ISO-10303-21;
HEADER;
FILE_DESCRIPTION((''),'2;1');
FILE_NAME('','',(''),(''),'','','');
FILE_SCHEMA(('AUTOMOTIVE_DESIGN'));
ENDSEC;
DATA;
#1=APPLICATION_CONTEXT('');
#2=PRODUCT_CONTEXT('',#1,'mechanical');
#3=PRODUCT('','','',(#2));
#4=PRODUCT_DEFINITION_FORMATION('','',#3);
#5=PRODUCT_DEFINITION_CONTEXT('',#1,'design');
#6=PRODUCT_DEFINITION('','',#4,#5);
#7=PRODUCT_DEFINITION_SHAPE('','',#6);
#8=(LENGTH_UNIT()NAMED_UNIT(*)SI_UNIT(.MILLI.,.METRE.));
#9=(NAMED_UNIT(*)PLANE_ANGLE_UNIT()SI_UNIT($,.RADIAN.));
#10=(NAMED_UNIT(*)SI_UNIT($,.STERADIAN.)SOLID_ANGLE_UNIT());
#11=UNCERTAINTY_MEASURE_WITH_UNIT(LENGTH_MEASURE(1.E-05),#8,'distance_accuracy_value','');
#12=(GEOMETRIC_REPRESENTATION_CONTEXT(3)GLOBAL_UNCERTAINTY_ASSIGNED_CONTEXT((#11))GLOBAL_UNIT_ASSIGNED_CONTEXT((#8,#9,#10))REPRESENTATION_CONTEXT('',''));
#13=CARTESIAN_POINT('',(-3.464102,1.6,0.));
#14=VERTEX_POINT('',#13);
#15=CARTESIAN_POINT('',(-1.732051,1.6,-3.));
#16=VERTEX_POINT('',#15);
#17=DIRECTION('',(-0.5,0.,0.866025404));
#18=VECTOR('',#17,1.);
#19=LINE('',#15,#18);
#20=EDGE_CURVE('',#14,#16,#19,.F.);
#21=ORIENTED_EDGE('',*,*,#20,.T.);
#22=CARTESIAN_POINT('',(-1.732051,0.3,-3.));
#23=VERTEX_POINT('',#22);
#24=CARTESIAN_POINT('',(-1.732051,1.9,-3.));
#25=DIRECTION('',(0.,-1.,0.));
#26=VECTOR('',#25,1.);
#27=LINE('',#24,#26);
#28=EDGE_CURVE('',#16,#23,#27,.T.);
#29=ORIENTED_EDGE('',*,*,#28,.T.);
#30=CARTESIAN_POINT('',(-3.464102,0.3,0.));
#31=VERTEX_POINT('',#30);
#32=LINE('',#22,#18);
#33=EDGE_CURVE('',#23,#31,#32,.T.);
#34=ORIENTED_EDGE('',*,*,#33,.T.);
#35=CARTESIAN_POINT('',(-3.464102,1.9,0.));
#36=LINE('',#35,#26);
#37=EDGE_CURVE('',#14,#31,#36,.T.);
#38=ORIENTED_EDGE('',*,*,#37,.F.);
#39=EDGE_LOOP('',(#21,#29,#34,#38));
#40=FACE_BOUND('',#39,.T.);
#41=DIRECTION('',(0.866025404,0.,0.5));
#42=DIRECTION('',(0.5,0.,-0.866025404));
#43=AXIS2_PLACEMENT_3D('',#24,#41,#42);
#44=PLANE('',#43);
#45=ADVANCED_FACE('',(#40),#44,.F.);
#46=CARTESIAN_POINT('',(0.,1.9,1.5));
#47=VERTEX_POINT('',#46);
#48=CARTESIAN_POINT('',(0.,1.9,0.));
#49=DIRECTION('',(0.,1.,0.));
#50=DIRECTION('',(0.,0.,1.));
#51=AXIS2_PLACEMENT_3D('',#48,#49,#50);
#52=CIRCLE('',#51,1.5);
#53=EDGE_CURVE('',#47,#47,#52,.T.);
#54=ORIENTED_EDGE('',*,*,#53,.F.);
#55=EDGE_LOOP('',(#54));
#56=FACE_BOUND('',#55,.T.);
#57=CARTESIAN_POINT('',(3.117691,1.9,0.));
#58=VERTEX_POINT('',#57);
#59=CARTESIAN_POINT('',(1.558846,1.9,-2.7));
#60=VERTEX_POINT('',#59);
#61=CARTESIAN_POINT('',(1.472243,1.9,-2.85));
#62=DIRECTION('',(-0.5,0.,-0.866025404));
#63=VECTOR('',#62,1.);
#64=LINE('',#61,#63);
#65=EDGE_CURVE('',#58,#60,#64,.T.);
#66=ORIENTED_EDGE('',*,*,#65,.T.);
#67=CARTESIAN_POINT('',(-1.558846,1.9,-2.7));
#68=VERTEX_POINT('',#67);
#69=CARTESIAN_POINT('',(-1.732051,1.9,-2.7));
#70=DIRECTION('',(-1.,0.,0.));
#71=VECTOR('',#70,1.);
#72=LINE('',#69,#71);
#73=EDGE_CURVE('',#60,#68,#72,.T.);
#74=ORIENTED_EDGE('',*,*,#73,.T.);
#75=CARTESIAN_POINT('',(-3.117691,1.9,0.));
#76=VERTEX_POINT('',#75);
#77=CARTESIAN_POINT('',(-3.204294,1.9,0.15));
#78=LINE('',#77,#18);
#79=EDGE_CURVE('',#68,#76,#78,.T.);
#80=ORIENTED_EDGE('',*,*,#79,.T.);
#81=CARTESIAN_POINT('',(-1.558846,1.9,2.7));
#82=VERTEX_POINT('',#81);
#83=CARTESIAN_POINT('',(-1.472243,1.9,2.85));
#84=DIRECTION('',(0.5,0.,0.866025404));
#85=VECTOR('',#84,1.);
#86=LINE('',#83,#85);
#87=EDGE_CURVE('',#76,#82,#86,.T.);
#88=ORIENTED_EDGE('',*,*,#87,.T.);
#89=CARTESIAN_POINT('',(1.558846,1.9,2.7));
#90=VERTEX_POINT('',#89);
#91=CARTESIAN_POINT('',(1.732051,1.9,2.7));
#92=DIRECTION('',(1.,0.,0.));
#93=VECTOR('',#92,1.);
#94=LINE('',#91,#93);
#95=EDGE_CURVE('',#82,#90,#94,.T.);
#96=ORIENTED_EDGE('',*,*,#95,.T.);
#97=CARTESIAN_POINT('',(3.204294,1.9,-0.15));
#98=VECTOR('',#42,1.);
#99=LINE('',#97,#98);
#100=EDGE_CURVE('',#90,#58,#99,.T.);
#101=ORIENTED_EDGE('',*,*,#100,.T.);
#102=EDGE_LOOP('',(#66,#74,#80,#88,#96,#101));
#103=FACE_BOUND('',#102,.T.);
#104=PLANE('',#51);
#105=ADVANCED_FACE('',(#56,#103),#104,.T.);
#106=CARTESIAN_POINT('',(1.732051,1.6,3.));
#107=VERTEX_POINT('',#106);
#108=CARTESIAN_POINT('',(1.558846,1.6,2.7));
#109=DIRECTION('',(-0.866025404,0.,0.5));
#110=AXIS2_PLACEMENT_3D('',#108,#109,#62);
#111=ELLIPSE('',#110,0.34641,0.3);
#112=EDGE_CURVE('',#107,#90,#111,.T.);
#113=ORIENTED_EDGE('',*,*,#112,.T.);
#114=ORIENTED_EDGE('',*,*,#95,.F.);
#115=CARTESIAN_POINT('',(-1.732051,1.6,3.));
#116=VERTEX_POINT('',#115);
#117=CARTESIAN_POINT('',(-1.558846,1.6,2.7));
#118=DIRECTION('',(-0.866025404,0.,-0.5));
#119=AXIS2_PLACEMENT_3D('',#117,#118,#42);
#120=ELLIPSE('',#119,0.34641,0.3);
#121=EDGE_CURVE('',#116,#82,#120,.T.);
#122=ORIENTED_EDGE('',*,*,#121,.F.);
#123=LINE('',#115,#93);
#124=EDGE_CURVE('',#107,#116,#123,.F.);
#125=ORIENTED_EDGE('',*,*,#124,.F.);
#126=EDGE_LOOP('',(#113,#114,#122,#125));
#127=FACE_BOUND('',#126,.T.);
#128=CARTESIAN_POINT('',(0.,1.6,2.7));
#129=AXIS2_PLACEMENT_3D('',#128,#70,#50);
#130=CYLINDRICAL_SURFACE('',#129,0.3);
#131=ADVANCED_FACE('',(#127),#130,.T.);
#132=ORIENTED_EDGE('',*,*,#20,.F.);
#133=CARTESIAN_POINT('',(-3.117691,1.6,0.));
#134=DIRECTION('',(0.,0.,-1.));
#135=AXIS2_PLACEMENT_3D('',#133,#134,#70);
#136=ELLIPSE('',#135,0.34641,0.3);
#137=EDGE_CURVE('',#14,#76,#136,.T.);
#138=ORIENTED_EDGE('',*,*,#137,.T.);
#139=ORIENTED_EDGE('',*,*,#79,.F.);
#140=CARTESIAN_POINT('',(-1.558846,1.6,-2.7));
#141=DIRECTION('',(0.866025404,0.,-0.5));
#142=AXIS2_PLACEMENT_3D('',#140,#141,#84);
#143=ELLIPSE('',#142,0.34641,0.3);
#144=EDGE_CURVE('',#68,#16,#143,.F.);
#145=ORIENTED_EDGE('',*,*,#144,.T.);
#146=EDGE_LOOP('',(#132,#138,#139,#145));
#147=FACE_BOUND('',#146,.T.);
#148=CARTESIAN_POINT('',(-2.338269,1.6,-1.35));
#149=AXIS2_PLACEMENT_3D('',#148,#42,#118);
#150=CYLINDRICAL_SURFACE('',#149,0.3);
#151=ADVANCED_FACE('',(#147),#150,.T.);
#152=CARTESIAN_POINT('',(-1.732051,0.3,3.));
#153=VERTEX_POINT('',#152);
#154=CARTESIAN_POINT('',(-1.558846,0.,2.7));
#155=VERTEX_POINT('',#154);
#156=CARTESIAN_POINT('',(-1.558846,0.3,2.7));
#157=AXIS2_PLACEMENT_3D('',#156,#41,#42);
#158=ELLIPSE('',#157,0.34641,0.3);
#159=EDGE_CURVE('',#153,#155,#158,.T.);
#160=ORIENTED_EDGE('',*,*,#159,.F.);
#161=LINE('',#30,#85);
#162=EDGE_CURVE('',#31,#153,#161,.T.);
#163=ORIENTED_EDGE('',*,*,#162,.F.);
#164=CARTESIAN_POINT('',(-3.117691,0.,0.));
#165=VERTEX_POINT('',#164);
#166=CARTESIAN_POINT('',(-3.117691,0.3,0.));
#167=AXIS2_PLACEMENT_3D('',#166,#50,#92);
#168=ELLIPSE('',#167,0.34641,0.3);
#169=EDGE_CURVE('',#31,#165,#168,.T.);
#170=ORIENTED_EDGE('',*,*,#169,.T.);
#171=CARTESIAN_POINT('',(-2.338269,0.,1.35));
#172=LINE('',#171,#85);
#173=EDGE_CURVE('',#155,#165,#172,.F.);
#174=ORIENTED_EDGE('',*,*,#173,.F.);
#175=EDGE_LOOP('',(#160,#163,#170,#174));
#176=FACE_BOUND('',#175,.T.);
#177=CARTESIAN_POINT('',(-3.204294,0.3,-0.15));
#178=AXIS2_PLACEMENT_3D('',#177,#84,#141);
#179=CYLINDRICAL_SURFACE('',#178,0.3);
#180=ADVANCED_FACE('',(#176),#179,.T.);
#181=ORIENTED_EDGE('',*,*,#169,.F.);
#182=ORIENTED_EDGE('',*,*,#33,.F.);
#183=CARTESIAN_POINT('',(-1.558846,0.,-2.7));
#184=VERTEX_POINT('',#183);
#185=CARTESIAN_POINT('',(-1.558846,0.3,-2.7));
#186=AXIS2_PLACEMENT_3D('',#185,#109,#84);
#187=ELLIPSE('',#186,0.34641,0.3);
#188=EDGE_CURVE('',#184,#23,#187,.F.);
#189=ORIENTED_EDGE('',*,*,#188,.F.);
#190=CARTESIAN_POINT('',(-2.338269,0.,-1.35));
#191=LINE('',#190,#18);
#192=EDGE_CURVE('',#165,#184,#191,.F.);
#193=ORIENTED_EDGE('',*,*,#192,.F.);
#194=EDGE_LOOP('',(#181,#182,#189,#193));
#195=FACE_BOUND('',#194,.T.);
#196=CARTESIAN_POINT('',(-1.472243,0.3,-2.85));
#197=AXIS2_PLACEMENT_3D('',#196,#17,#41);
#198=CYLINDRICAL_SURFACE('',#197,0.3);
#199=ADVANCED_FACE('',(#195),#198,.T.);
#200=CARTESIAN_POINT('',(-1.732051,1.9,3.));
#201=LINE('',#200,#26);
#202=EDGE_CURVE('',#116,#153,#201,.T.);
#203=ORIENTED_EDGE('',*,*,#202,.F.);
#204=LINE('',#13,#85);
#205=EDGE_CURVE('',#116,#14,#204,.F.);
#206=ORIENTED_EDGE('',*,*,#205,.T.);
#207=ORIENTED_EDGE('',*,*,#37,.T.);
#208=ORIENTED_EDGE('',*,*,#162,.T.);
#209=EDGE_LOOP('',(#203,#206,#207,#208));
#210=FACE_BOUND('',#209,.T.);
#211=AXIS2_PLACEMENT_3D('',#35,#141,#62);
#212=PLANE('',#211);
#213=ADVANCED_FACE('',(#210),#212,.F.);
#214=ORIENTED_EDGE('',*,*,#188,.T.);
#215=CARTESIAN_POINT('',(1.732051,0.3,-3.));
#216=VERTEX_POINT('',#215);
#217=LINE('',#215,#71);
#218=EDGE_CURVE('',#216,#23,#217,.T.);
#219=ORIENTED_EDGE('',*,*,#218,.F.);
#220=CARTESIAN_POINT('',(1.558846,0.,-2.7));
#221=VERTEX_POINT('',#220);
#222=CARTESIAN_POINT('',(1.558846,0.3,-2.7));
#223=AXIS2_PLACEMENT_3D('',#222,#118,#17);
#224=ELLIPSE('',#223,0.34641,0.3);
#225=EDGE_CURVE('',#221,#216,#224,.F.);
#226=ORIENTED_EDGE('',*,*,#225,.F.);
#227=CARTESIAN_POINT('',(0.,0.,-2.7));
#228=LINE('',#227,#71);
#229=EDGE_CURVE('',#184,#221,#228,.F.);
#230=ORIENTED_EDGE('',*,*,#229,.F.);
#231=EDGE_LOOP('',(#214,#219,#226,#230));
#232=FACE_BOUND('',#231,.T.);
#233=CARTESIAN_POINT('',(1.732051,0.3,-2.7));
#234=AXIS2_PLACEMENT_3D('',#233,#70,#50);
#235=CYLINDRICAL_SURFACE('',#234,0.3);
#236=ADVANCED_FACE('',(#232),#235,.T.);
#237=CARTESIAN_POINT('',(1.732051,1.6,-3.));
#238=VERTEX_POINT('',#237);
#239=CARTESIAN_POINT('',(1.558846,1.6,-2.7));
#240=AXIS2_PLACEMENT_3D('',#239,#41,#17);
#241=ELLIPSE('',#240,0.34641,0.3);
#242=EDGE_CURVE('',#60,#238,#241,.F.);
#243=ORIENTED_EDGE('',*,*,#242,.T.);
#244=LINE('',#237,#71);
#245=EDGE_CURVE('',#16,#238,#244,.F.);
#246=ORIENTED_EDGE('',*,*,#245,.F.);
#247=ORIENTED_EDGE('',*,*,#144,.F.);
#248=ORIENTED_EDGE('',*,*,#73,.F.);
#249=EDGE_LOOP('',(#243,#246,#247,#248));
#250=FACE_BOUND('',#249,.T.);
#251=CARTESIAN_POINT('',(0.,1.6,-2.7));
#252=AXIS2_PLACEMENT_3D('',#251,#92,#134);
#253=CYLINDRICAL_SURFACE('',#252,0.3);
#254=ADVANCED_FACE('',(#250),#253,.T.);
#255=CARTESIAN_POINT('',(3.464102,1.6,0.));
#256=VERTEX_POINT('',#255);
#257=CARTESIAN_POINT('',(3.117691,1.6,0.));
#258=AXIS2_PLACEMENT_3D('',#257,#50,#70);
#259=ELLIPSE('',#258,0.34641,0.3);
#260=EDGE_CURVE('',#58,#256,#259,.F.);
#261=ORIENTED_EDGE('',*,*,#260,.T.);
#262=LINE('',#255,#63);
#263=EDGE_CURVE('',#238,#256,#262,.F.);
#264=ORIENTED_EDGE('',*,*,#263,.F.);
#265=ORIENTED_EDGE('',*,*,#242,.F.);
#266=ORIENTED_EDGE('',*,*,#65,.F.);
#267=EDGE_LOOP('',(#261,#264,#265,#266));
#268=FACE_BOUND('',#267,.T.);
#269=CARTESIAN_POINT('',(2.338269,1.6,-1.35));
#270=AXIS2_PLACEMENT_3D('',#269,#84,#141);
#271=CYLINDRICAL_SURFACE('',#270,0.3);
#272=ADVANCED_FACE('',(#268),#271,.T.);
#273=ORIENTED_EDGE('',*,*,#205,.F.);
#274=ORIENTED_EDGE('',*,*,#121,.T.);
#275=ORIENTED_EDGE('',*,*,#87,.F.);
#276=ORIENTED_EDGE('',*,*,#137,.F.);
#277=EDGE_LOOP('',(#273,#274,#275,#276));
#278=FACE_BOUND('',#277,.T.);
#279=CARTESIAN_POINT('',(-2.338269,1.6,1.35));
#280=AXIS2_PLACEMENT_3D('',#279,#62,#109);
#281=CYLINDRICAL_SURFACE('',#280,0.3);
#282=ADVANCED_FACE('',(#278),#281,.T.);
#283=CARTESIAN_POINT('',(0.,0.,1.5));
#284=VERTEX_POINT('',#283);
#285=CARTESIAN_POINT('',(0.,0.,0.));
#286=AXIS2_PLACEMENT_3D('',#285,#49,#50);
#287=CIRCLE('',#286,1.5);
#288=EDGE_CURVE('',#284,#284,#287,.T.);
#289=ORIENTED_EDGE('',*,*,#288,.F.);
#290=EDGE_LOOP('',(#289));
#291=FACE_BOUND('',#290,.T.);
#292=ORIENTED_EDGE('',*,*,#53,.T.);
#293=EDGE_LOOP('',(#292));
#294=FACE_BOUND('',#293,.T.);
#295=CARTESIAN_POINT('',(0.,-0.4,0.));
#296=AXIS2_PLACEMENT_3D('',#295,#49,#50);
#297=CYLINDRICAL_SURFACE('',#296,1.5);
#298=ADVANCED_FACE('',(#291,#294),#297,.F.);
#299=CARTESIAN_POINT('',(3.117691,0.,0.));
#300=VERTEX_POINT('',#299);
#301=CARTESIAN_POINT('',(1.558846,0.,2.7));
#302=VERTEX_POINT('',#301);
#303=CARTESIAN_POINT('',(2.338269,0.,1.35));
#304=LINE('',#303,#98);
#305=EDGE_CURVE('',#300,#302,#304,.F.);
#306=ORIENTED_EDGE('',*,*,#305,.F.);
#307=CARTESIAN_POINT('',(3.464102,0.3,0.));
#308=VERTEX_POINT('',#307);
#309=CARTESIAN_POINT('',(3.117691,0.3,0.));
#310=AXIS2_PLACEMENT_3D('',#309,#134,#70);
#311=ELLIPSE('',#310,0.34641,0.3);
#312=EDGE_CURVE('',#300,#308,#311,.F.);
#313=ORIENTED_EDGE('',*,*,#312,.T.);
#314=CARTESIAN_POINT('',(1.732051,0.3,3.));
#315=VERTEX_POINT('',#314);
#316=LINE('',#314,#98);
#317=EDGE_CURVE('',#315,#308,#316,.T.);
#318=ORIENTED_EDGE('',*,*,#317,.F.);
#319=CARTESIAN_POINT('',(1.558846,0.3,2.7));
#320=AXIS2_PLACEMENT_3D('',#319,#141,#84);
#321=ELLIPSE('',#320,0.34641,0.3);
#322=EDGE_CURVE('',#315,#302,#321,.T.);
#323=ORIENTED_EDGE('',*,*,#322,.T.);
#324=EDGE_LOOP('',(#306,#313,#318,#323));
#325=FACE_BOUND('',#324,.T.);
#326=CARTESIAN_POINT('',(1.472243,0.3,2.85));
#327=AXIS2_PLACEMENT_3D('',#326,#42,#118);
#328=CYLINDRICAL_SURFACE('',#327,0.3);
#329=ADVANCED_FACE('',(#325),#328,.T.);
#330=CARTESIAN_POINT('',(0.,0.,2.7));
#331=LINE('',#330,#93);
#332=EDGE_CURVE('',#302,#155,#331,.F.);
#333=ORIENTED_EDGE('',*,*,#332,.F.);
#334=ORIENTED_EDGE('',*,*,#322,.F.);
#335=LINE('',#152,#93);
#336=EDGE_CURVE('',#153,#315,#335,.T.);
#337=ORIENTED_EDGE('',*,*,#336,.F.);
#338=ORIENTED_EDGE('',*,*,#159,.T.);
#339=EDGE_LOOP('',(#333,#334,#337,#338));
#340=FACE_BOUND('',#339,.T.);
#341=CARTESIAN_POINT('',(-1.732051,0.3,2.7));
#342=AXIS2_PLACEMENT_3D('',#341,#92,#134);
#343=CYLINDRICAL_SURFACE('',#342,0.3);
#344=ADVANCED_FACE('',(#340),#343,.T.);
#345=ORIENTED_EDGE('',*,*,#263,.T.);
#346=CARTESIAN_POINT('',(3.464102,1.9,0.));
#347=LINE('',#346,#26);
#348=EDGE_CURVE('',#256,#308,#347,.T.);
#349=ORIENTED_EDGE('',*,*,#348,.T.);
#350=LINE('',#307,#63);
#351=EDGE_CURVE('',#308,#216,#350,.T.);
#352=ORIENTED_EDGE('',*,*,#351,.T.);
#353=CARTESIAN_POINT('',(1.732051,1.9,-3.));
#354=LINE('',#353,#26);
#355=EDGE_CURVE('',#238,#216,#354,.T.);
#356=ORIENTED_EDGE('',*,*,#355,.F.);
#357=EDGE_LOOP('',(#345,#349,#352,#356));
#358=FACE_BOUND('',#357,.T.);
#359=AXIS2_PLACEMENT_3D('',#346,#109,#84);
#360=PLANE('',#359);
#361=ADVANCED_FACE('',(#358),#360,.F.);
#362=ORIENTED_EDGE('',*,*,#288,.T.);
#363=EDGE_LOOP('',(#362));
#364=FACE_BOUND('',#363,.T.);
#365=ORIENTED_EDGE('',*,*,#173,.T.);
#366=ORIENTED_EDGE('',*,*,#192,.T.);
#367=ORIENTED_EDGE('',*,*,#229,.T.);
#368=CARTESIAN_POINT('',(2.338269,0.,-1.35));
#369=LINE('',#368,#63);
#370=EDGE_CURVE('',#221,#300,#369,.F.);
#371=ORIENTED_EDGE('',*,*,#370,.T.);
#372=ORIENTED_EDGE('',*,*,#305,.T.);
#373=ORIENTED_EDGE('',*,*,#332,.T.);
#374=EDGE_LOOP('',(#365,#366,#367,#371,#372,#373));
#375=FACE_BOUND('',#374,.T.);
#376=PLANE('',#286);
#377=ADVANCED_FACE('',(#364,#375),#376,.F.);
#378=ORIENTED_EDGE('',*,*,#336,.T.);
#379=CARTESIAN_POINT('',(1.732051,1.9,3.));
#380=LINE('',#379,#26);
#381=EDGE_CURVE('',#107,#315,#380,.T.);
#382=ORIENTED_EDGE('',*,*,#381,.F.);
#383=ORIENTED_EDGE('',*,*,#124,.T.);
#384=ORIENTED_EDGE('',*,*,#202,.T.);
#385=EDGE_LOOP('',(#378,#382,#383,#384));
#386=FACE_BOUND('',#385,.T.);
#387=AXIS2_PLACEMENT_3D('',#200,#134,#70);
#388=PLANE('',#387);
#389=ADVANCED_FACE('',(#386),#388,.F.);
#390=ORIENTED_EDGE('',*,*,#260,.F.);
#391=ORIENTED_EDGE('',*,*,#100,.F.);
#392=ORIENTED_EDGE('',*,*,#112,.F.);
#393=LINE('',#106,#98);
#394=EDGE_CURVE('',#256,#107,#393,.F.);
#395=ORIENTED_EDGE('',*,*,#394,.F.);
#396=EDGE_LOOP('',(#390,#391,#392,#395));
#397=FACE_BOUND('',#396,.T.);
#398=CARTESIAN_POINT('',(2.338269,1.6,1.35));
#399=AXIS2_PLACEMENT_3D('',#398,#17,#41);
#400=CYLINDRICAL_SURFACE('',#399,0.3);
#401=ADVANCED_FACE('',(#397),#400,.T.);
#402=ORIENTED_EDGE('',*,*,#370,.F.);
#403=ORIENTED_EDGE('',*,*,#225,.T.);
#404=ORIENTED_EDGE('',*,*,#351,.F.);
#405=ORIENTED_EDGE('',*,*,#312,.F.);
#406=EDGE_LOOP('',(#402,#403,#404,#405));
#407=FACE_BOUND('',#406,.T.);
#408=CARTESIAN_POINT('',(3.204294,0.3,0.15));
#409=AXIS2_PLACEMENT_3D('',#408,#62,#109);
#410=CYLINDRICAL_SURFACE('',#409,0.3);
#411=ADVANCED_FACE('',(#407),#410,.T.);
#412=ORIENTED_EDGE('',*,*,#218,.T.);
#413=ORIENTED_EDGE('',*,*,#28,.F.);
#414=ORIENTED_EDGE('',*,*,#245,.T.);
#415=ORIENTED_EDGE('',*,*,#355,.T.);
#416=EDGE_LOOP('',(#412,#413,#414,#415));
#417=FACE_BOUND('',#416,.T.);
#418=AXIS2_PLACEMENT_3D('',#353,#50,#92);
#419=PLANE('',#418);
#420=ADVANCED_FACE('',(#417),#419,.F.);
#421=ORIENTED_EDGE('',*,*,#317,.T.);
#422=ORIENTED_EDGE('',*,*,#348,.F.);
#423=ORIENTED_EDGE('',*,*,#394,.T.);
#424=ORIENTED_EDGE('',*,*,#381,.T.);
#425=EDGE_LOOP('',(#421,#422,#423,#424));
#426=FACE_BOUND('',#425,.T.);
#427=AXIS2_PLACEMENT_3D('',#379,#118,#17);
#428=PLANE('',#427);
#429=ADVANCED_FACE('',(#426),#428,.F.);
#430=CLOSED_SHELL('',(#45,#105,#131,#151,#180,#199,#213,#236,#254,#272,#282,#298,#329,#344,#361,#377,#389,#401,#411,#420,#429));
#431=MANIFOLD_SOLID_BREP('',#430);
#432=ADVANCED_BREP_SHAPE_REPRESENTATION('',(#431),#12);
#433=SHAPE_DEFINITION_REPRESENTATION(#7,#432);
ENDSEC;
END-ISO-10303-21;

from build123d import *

# Parameters (mm, degrees)
BOSS_EXTRUDE1_DEPTH = 1.9
SKETCH2_R           = 1.5
CUT_EXTRUDE1_DEPTH  = 2.3
FILLET1_R           = 0.3


with BuildPart() as part:
    # Sketch1 → Boss-Extrude1 (new body)
    with BuildSketch(Plane(origin=(0, 0, 0), x_dir=(1, 0, 0), z_dir=(0, 1, 0))):
        Polygon((1.732050808, -3), (3.464101615, 0), (1.732050808, 3), (-1.732050808, 3), (-3.464101615, 0), (-1.732050808, -3), align=None)
    extrude(amount=BOSS_EXTRUDE1_DEPTH)

    # Sketch2 → Cut-Extrude1 (cut)
    with BuildSketch(Plane(origin=(0, 1.9, 0), x_dir=(1, 0, 0), z_dir=(0, 1, 0))):
        with Locations(Location((0, 0, 0), (0, 0, 270))):
            Circle(SKETCH2_R)
    extrude(amount=-CUT_EXTRUDE1_DEPTH, mode=Mode.SUBTRACT)

    # Fillet1
    fillet1_edges = [part.edges().sort_by_distance(p)[0] for p in [
        (2.598076211, 1.9, -1.5),
        (0, 1.9, -3),
        (-2.598076211, 1.9, -1.5),
        (-2.598076211, 1.9, 1.5),
        (0, 1.9, 3),
        (-2.598076211, 0, 1.5),
        (-2.598076211, 0, -1.5),
        (0, 0, -3),
        (2.598076211, 0, -1.5),
        (2.598076211, 0, 1.5),
        (0, 0, 3),
        (2.598076211, 1.9, 1.5),
    ]]
    fillet(fillet1_edges, radius=FILLET1_R)


solid = part.part
